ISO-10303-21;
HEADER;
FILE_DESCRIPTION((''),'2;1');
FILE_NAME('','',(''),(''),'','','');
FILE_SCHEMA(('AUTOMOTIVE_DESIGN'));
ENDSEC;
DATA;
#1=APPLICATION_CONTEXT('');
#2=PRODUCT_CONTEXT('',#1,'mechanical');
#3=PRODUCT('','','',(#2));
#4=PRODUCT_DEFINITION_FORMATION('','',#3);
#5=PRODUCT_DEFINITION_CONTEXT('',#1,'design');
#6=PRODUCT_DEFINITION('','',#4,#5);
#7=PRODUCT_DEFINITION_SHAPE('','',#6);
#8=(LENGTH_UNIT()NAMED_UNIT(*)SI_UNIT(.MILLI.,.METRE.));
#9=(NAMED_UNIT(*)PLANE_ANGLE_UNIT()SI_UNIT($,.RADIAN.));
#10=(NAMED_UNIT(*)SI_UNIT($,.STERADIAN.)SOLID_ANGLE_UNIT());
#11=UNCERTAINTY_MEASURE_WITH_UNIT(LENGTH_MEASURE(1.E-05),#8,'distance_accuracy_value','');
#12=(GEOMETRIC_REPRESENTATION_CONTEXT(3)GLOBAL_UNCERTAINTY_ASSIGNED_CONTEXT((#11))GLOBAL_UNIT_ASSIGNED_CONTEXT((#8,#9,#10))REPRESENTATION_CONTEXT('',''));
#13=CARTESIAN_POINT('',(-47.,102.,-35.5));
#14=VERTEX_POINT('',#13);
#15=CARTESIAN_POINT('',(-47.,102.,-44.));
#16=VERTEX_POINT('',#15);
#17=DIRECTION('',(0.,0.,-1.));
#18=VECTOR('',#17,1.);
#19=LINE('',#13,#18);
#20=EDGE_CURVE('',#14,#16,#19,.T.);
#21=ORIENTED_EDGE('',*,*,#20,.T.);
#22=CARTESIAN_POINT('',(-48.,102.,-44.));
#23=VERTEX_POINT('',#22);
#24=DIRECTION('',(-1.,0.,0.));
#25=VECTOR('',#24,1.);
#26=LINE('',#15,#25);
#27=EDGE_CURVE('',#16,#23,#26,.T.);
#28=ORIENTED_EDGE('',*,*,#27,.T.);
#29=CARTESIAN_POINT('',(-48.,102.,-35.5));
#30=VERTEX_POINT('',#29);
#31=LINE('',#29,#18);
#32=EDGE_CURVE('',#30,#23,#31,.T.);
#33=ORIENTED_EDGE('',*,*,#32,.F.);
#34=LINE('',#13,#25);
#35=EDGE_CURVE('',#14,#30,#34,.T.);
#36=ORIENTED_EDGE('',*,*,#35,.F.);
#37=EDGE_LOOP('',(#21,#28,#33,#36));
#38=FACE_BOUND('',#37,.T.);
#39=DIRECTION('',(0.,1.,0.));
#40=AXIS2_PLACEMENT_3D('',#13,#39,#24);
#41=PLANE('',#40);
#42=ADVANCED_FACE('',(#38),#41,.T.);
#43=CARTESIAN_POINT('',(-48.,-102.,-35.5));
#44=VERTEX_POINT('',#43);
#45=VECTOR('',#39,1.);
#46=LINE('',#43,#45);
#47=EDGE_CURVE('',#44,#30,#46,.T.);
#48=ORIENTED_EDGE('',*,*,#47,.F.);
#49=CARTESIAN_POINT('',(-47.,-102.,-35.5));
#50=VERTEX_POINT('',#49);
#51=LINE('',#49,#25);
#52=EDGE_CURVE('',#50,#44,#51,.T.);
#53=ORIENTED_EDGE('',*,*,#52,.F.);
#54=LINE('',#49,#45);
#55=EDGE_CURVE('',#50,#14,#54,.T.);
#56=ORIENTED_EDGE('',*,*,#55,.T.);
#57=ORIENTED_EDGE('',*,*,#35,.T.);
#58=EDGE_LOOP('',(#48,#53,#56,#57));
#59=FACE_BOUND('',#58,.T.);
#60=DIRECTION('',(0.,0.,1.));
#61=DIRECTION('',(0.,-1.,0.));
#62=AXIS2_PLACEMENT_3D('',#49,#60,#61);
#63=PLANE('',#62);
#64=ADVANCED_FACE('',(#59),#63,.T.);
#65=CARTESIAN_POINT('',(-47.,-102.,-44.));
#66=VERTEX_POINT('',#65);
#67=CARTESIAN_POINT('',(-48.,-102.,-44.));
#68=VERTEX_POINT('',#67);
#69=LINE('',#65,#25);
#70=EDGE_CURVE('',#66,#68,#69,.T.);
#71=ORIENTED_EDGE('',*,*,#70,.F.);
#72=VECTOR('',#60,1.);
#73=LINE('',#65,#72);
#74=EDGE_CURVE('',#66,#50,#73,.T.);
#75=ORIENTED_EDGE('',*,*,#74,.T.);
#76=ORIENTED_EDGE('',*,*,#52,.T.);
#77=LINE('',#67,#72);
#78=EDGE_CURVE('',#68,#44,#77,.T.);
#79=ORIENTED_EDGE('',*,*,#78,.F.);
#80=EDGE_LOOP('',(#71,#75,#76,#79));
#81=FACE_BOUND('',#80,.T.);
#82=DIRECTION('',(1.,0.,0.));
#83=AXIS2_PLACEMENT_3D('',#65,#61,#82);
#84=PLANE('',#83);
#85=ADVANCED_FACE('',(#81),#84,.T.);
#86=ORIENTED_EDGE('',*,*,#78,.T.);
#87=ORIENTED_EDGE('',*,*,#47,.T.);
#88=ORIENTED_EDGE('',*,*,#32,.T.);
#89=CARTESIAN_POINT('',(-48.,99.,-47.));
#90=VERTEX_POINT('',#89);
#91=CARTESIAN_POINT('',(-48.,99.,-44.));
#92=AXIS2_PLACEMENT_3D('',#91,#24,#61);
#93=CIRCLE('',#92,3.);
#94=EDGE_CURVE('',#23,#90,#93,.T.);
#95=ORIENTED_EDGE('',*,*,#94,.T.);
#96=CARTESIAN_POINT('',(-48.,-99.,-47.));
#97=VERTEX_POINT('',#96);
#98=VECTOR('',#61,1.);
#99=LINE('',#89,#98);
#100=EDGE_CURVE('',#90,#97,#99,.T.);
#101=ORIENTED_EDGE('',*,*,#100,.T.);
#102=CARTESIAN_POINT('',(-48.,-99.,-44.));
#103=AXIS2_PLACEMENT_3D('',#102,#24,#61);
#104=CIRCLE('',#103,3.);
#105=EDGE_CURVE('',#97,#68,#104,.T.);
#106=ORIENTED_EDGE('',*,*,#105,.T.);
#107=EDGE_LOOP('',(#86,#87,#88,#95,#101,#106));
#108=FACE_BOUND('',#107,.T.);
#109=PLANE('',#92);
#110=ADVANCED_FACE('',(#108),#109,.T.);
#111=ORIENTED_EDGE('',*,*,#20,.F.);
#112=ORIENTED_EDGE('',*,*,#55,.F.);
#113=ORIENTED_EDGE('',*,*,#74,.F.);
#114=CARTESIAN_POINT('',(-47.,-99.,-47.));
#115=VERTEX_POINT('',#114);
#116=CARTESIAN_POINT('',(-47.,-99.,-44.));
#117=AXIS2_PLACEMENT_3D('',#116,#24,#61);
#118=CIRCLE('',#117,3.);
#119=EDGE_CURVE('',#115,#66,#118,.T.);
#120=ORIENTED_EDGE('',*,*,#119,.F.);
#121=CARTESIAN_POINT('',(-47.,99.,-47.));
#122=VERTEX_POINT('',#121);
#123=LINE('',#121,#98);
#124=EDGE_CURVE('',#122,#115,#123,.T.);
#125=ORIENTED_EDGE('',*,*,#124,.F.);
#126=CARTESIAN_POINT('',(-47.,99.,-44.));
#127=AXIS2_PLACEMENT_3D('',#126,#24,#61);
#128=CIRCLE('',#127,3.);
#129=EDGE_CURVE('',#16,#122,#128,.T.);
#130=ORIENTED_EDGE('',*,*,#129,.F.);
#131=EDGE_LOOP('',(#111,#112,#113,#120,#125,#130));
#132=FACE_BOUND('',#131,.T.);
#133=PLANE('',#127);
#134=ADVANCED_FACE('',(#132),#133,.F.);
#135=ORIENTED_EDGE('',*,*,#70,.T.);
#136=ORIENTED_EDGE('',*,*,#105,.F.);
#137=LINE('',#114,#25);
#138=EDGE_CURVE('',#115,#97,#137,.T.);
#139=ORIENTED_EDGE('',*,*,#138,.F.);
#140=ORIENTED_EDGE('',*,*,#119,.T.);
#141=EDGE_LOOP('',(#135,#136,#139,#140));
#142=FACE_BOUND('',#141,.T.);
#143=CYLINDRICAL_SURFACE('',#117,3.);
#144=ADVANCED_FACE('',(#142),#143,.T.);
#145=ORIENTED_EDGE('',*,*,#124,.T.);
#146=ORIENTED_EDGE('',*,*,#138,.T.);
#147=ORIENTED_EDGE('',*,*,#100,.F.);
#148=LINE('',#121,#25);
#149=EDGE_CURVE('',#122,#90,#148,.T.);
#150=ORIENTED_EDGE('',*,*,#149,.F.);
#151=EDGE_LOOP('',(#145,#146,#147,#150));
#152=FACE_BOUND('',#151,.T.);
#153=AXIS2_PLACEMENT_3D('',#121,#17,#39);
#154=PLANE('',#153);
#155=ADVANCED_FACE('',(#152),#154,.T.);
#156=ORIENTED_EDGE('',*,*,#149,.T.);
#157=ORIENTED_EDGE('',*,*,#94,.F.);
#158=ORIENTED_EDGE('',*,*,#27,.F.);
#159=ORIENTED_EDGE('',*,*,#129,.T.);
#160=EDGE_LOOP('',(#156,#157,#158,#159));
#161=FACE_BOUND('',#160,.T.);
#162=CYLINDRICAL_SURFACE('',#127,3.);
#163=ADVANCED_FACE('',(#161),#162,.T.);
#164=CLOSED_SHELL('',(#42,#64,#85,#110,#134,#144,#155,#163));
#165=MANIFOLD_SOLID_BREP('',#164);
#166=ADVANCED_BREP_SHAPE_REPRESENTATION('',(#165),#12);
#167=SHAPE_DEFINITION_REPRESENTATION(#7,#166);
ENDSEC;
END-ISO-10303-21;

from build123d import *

# Parameters (mm, degrees)
BOSS_EXTRUDE1_DEPTH = 1


with BuildPart() as part:
    # Sketch1 → Boss-Extrude1 (new body)
    with BuildSketch(Plane(origin=(-48, 0, 0), x_dir=(0, -1, 0), z_dir=(-1, 0, 0))):
        with BuildLine():
            Line((-99, -47), (99, -47))
            ThreePointArc((99, -47), (101.121320344, -46.121320344), (102, -44))
            Line((102, -44), (102, -35.5))
            Line((102, -35.5), (-102, -35.5))
            Line((-102, -35.5), (-102, -44))
            ThreePointArc((-102, -44), (-101.121320344, -46.121320344), (-99, -47))
        make_face()
    extrude(amount=-BOSS_EXTRUDE1_DEPTH)


solid = part.part
